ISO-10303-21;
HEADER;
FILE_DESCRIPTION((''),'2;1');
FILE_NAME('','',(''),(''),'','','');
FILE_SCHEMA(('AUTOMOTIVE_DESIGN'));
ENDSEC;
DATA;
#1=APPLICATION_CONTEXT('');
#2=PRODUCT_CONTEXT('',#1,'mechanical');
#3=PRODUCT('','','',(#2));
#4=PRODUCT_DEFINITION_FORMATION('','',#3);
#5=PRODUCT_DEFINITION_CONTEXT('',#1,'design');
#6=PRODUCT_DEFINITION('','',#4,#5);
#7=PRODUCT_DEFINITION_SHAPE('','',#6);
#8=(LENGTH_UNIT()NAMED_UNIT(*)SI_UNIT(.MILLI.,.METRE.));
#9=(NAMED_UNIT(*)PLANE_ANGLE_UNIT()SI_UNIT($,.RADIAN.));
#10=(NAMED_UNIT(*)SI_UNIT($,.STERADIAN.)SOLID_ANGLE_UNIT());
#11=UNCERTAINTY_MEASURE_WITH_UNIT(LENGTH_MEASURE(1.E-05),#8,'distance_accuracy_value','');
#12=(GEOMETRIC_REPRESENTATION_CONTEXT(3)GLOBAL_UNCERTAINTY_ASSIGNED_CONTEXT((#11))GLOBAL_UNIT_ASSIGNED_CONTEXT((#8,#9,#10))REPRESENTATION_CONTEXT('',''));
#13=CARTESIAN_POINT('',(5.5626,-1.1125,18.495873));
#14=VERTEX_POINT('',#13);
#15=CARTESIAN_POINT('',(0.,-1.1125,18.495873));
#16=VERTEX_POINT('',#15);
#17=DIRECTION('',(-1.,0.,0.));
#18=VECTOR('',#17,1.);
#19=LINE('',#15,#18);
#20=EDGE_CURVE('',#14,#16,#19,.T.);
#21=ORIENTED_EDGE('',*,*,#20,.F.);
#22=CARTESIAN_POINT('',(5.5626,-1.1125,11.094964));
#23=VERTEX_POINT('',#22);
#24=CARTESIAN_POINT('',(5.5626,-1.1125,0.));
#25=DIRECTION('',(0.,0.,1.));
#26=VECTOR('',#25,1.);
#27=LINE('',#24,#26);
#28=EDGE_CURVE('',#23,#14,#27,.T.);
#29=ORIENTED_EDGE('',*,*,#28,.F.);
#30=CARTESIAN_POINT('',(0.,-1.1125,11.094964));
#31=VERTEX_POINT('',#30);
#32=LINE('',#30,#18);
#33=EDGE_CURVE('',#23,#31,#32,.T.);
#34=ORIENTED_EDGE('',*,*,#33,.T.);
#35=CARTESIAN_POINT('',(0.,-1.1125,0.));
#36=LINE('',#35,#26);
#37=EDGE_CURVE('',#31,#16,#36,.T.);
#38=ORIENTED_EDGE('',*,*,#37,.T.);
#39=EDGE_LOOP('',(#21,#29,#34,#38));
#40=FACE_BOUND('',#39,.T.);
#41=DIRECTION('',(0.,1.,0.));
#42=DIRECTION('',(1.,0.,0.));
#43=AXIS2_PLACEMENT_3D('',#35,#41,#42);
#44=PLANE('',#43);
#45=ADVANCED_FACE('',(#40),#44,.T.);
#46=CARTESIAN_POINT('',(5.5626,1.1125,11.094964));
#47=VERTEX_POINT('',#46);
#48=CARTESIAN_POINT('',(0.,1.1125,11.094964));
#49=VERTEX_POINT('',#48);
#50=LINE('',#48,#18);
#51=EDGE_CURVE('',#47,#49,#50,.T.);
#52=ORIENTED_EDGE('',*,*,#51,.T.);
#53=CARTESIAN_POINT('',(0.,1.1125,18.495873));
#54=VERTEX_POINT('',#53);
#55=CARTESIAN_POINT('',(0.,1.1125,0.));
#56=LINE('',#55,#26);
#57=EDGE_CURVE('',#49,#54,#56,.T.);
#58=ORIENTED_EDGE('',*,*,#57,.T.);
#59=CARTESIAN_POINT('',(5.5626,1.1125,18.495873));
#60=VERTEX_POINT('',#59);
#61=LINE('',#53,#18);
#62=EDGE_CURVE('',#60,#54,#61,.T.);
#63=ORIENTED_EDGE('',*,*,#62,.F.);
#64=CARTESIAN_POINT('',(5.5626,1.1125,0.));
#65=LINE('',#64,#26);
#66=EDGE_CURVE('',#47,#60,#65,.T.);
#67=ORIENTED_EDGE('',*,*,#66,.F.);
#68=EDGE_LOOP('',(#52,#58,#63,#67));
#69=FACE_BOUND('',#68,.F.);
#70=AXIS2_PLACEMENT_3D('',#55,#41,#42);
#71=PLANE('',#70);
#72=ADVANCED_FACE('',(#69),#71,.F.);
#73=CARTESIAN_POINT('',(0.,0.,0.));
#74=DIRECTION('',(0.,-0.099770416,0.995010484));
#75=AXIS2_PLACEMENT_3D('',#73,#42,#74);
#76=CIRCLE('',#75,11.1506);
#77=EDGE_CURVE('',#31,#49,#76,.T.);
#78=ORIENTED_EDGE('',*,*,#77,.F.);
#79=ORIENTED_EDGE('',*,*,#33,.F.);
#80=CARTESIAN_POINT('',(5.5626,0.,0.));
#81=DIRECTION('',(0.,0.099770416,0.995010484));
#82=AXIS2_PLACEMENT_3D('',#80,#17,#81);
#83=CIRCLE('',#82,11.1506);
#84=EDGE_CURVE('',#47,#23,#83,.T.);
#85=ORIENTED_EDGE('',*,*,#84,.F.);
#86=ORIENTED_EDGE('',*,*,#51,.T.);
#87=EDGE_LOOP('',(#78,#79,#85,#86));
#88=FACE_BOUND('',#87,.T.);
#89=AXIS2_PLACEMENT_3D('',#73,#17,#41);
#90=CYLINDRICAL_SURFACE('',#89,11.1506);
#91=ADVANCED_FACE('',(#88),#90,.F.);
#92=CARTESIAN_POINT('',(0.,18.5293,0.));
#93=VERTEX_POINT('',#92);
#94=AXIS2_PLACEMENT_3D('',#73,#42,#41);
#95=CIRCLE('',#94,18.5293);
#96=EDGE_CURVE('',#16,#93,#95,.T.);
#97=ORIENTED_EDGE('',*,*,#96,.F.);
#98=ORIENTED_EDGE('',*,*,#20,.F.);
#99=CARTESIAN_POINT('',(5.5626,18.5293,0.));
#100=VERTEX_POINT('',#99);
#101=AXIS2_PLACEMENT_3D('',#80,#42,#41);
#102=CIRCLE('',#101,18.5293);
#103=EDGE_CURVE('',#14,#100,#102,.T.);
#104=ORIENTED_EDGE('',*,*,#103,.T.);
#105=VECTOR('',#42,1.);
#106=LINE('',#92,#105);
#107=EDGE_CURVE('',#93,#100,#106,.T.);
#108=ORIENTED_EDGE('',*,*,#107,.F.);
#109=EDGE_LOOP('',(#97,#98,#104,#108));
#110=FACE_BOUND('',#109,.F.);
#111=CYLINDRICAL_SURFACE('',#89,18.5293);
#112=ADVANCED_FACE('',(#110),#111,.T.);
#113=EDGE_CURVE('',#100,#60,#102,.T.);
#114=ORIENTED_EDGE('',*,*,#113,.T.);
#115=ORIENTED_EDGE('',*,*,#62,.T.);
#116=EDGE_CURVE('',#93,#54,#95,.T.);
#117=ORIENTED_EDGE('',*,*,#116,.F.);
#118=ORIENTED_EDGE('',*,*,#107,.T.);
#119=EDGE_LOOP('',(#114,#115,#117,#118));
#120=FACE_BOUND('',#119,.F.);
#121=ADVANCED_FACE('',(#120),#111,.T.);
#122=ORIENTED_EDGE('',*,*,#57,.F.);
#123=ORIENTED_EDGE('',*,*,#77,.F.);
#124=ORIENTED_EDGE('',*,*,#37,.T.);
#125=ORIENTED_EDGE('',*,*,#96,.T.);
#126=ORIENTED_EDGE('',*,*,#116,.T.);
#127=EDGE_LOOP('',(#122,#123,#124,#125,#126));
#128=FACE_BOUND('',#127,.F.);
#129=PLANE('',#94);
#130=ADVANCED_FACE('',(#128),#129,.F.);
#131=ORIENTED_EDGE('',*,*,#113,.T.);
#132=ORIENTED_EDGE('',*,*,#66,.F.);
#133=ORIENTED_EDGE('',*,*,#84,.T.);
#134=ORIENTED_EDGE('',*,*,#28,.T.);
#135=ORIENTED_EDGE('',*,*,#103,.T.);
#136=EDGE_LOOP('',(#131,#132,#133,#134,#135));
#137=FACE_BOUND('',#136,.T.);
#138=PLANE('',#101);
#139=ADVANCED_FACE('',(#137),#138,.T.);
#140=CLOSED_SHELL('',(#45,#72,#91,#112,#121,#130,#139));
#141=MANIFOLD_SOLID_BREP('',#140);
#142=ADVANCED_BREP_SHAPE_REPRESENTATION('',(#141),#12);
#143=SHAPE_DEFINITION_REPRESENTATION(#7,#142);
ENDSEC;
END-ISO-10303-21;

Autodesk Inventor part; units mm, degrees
ref_plane "YZ Plane" through (0, 0, 0) normal (1, 0, 0) x (0, 1, 0)
ref_plane "XZ Plane" through (0, 0, 0) normal (0, 1, 0) x (-1, 0, 0)
sketch "Sketch1" plane through (0, 0, 0) normal (1, 0, 0) x (0, 1, 0)
  circle A0 centre (0, 0) radius 18.5293
  circle A1 centre (0, 0) radius 11.1506
  dimension "d0" = 22.3012
  dimension "d1" = 37.0586
extrude "Body" add sketch "Sketch1" along normal blind 5.5626
sketch "Sketch2" plane through (0, 0, 0) normal (0, 0, 1) x (1, 0, 0)
  line L0 (0, -11.1506) -> (0, 11.1506) projected
  line L1 (5.5626, 18.5293) -> (5.5626, -18.5293) projected
  line L2 (-1.2, 0) -> (7.2, 0) projected
  line L3 (0, -1.1125) -> (5.5626, -1.1125)
  line L4 (0, 1.1125) -> (5.5626, 1.1125)
  dimension "d4" = 1.1125
  dimension "d5" = 1.1125
  dimension "d6" = 90
extrude "Cut" cut sketch "Sketch2" along normal up to next
ref_plane "Work Plane1" through (0, 0, 0) normal (0, -1, 0) x (1, 0, 0)
equation "\"d0\" = SD1"
equation "\"d1\" = SD2"
equation "\"d2\" = SD"
equation "\"d4\" = 0.2 * SD"
equation "\"d5\" = 0.2 * SD"
equation "\"d6\" = FAWI"
equation "\"d7\" = SD"
equation "\"SD1\" = 22.3012"
equation "\"SD2\" = 37.0586"
equation "\"SD\" = 5.5626"
equation "\"FAWI\" = 90deg"
equation "\"NND\" = 22.225"
properties part number "ASME B18.21.1 - 7/8" material "Steel, Mild"
